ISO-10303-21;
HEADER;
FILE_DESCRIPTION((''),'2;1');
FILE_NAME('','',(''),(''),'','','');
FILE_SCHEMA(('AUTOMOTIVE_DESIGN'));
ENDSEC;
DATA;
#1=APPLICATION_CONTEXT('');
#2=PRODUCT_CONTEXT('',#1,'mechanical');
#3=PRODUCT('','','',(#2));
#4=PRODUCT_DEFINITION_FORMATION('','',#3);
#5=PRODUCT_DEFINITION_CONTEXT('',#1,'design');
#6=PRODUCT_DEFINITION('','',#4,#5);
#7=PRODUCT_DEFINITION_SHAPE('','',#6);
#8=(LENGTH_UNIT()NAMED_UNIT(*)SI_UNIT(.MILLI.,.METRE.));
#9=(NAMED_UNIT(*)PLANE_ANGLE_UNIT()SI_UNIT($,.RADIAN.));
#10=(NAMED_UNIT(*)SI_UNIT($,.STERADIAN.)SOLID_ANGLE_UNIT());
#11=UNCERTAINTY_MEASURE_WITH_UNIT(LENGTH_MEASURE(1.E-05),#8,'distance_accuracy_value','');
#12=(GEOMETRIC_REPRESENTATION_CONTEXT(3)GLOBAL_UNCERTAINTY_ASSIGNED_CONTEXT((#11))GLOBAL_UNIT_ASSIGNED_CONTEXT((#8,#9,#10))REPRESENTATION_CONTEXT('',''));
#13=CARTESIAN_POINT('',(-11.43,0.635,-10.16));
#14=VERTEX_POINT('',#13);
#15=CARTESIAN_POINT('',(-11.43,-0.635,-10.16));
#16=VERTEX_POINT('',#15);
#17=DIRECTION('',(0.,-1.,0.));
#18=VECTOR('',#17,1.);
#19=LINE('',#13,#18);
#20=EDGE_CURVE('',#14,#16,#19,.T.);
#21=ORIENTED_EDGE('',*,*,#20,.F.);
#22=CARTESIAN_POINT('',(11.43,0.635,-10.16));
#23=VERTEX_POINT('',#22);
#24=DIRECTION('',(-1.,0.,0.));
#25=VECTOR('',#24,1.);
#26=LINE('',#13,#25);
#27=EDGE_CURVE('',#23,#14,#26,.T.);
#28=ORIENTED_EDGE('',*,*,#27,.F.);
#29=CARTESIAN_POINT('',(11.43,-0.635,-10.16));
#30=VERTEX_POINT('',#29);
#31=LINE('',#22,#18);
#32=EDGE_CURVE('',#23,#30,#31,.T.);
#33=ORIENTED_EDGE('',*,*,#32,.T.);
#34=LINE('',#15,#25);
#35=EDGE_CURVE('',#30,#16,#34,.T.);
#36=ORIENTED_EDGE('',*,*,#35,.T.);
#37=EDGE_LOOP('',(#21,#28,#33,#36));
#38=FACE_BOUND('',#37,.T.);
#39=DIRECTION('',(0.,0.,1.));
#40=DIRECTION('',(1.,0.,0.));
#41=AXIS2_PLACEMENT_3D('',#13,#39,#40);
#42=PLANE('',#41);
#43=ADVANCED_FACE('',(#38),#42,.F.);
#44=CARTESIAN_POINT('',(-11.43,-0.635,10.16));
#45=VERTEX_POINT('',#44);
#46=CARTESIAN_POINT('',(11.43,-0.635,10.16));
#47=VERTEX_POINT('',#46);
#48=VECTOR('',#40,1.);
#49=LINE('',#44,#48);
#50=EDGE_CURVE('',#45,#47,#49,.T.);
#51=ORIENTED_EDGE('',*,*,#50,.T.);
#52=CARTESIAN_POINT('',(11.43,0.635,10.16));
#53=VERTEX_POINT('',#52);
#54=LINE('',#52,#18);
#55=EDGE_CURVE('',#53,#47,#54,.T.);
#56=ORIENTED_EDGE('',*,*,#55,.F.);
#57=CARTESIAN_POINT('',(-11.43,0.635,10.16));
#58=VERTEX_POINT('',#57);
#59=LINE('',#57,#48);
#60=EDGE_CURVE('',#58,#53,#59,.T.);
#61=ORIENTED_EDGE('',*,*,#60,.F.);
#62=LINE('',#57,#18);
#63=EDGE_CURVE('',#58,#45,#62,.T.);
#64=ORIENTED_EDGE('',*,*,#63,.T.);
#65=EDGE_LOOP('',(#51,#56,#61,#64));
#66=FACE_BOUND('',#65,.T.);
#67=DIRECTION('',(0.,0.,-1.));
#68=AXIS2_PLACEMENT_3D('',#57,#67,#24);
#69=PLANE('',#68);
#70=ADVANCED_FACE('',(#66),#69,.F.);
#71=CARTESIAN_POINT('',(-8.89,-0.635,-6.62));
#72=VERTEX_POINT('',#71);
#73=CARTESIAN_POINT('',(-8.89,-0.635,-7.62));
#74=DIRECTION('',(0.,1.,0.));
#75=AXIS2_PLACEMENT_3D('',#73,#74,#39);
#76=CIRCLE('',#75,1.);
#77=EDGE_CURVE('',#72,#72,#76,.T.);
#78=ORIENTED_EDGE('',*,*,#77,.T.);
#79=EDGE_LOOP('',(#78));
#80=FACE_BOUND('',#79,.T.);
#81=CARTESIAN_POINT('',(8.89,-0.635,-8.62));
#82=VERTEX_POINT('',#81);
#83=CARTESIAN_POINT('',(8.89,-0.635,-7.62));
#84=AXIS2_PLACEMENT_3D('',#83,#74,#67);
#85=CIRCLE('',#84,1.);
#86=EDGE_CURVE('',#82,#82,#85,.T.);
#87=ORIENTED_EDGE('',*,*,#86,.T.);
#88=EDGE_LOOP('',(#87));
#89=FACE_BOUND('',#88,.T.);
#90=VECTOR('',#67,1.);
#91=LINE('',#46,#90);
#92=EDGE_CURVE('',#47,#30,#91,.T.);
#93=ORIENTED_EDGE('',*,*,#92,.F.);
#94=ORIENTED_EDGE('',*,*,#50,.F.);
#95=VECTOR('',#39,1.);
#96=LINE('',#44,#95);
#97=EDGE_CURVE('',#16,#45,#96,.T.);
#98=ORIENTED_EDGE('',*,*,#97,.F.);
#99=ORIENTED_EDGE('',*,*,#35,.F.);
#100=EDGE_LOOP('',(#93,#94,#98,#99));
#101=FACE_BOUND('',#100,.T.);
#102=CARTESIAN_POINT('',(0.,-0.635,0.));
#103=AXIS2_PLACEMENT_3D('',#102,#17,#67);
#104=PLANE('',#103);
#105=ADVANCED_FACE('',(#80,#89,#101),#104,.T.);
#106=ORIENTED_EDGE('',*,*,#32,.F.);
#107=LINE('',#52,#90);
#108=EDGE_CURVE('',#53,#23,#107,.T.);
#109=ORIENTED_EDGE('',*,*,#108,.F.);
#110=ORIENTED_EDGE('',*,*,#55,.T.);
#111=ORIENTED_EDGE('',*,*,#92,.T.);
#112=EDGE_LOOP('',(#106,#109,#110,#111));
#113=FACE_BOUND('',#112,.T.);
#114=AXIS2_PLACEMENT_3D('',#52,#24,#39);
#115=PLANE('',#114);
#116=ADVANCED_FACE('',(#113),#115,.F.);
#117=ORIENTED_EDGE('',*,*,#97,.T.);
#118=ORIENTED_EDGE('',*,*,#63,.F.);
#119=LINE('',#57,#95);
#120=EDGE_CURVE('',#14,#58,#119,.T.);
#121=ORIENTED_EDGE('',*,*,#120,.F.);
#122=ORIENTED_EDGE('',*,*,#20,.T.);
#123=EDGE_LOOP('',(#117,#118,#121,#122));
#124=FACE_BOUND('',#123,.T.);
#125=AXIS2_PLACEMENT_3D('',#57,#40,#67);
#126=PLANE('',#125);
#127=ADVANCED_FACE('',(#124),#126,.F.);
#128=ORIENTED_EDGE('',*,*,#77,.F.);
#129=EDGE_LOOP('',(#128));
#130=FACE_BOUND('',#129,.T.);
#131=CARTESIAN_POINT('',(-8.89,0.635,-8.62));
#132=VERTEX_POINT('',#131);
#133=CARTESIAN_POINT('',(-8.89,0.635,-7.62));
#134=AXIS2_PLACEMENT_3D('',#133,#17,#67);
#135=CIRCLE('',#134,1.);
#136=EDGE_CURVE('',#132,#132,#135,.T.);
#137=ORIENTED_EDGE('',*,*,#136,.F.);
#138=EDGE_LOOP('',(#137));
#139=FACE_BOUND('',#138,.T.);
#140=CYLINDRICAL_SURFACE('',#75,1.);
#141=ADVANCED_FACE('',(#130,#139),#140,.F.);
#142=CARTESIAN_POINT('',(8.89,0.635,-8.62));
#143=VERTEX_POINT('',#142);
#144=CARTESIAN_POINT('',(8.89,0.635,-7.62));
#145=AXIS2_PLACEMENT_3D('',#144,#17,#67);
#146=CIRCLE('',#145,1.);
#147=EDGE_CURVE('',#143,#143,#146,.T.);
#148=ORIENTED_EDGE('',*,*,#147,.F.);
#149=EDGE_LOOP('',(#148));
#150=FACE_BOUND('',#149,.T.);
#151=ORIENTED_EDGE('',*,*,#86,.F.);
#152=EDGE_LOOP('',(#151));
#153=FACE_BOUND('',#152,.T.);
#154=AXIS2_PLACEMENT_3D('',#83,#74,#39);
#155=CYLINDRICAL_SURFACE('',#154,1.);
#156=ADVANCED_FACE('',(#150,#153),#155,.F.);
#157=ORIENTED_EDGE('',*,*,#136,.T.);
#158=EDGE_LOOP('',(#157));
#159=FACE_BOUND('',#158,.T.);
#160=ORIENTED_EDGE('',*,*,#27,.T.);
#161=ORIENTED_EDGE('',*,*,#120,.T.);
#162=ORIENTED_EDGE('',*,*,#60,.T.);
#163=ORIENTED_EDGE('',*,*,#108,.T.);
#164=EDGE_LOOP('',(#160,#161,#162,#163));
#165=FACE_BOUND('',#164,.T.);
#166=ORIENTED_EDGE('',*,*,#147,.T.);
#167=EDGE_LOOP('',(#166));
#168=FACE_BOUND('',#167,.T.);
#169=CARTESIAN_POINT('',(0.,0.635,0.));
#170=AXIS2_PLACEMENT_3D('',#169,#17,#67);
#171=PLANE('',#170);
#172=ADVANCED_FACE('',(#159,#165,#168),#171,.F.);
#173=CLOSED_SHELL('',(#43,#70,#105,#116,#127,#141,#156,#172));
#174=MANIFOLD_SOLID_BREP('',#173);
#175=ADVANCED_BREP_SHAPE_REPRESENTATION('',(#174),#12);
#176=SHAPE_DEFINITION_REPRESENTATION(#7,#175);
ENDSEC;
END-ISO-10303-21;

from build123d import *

# Parameters (mm, degrees)
SKETCH1_W               = 22.86
SKETCH1_H               = 20.32
BOSS_EXTRUDE1_DEPTH     = 0.635
SKETCH2_R               = 1
CUT_EXTRUDE1_DEPTH      = 1
CUT_EXTRUDE1_DEPTH_BACK = 2.27


with BuildPart() as part:
    # Sketch1 → Boss-Extrude1 (new body, symmetric)
    with BuildSketch(Plane(origin=(0, 0, 0), x_dir=(1, 0, 0), z_dir=(0, 1, 0))):
        Rectangle(SKETCH1_W, SKETCH1_H)
    extrude(amount=BOSS_EXTRUDE1_DEPTH, both=True)

    # Sketch2 → Cut-Extrude1 (cut, two sides)
    with BuildSketch(Plane(origin=(0, 0.635, 0), x_dir=(1, 0, 0), z_dir=(0, 1, 0))) as cut_extrude1_sk:
        with Locations((-8.89, 7.62)):
            Circle(SKETCH2_R)
        with Locations((8.89, 7.62)):
            Circle(SKETCH2_R)
    extrude(amount=CUT_EXTRUDE1_DEPTH, mode=Mode.SUBTRACT)
    extrude(cut_extrude1_sk.sketch, amount=-CUT_EXTRUDE1_DEPTH_BACK, mode=Mode.SUBTRACT)


solid = part.part
